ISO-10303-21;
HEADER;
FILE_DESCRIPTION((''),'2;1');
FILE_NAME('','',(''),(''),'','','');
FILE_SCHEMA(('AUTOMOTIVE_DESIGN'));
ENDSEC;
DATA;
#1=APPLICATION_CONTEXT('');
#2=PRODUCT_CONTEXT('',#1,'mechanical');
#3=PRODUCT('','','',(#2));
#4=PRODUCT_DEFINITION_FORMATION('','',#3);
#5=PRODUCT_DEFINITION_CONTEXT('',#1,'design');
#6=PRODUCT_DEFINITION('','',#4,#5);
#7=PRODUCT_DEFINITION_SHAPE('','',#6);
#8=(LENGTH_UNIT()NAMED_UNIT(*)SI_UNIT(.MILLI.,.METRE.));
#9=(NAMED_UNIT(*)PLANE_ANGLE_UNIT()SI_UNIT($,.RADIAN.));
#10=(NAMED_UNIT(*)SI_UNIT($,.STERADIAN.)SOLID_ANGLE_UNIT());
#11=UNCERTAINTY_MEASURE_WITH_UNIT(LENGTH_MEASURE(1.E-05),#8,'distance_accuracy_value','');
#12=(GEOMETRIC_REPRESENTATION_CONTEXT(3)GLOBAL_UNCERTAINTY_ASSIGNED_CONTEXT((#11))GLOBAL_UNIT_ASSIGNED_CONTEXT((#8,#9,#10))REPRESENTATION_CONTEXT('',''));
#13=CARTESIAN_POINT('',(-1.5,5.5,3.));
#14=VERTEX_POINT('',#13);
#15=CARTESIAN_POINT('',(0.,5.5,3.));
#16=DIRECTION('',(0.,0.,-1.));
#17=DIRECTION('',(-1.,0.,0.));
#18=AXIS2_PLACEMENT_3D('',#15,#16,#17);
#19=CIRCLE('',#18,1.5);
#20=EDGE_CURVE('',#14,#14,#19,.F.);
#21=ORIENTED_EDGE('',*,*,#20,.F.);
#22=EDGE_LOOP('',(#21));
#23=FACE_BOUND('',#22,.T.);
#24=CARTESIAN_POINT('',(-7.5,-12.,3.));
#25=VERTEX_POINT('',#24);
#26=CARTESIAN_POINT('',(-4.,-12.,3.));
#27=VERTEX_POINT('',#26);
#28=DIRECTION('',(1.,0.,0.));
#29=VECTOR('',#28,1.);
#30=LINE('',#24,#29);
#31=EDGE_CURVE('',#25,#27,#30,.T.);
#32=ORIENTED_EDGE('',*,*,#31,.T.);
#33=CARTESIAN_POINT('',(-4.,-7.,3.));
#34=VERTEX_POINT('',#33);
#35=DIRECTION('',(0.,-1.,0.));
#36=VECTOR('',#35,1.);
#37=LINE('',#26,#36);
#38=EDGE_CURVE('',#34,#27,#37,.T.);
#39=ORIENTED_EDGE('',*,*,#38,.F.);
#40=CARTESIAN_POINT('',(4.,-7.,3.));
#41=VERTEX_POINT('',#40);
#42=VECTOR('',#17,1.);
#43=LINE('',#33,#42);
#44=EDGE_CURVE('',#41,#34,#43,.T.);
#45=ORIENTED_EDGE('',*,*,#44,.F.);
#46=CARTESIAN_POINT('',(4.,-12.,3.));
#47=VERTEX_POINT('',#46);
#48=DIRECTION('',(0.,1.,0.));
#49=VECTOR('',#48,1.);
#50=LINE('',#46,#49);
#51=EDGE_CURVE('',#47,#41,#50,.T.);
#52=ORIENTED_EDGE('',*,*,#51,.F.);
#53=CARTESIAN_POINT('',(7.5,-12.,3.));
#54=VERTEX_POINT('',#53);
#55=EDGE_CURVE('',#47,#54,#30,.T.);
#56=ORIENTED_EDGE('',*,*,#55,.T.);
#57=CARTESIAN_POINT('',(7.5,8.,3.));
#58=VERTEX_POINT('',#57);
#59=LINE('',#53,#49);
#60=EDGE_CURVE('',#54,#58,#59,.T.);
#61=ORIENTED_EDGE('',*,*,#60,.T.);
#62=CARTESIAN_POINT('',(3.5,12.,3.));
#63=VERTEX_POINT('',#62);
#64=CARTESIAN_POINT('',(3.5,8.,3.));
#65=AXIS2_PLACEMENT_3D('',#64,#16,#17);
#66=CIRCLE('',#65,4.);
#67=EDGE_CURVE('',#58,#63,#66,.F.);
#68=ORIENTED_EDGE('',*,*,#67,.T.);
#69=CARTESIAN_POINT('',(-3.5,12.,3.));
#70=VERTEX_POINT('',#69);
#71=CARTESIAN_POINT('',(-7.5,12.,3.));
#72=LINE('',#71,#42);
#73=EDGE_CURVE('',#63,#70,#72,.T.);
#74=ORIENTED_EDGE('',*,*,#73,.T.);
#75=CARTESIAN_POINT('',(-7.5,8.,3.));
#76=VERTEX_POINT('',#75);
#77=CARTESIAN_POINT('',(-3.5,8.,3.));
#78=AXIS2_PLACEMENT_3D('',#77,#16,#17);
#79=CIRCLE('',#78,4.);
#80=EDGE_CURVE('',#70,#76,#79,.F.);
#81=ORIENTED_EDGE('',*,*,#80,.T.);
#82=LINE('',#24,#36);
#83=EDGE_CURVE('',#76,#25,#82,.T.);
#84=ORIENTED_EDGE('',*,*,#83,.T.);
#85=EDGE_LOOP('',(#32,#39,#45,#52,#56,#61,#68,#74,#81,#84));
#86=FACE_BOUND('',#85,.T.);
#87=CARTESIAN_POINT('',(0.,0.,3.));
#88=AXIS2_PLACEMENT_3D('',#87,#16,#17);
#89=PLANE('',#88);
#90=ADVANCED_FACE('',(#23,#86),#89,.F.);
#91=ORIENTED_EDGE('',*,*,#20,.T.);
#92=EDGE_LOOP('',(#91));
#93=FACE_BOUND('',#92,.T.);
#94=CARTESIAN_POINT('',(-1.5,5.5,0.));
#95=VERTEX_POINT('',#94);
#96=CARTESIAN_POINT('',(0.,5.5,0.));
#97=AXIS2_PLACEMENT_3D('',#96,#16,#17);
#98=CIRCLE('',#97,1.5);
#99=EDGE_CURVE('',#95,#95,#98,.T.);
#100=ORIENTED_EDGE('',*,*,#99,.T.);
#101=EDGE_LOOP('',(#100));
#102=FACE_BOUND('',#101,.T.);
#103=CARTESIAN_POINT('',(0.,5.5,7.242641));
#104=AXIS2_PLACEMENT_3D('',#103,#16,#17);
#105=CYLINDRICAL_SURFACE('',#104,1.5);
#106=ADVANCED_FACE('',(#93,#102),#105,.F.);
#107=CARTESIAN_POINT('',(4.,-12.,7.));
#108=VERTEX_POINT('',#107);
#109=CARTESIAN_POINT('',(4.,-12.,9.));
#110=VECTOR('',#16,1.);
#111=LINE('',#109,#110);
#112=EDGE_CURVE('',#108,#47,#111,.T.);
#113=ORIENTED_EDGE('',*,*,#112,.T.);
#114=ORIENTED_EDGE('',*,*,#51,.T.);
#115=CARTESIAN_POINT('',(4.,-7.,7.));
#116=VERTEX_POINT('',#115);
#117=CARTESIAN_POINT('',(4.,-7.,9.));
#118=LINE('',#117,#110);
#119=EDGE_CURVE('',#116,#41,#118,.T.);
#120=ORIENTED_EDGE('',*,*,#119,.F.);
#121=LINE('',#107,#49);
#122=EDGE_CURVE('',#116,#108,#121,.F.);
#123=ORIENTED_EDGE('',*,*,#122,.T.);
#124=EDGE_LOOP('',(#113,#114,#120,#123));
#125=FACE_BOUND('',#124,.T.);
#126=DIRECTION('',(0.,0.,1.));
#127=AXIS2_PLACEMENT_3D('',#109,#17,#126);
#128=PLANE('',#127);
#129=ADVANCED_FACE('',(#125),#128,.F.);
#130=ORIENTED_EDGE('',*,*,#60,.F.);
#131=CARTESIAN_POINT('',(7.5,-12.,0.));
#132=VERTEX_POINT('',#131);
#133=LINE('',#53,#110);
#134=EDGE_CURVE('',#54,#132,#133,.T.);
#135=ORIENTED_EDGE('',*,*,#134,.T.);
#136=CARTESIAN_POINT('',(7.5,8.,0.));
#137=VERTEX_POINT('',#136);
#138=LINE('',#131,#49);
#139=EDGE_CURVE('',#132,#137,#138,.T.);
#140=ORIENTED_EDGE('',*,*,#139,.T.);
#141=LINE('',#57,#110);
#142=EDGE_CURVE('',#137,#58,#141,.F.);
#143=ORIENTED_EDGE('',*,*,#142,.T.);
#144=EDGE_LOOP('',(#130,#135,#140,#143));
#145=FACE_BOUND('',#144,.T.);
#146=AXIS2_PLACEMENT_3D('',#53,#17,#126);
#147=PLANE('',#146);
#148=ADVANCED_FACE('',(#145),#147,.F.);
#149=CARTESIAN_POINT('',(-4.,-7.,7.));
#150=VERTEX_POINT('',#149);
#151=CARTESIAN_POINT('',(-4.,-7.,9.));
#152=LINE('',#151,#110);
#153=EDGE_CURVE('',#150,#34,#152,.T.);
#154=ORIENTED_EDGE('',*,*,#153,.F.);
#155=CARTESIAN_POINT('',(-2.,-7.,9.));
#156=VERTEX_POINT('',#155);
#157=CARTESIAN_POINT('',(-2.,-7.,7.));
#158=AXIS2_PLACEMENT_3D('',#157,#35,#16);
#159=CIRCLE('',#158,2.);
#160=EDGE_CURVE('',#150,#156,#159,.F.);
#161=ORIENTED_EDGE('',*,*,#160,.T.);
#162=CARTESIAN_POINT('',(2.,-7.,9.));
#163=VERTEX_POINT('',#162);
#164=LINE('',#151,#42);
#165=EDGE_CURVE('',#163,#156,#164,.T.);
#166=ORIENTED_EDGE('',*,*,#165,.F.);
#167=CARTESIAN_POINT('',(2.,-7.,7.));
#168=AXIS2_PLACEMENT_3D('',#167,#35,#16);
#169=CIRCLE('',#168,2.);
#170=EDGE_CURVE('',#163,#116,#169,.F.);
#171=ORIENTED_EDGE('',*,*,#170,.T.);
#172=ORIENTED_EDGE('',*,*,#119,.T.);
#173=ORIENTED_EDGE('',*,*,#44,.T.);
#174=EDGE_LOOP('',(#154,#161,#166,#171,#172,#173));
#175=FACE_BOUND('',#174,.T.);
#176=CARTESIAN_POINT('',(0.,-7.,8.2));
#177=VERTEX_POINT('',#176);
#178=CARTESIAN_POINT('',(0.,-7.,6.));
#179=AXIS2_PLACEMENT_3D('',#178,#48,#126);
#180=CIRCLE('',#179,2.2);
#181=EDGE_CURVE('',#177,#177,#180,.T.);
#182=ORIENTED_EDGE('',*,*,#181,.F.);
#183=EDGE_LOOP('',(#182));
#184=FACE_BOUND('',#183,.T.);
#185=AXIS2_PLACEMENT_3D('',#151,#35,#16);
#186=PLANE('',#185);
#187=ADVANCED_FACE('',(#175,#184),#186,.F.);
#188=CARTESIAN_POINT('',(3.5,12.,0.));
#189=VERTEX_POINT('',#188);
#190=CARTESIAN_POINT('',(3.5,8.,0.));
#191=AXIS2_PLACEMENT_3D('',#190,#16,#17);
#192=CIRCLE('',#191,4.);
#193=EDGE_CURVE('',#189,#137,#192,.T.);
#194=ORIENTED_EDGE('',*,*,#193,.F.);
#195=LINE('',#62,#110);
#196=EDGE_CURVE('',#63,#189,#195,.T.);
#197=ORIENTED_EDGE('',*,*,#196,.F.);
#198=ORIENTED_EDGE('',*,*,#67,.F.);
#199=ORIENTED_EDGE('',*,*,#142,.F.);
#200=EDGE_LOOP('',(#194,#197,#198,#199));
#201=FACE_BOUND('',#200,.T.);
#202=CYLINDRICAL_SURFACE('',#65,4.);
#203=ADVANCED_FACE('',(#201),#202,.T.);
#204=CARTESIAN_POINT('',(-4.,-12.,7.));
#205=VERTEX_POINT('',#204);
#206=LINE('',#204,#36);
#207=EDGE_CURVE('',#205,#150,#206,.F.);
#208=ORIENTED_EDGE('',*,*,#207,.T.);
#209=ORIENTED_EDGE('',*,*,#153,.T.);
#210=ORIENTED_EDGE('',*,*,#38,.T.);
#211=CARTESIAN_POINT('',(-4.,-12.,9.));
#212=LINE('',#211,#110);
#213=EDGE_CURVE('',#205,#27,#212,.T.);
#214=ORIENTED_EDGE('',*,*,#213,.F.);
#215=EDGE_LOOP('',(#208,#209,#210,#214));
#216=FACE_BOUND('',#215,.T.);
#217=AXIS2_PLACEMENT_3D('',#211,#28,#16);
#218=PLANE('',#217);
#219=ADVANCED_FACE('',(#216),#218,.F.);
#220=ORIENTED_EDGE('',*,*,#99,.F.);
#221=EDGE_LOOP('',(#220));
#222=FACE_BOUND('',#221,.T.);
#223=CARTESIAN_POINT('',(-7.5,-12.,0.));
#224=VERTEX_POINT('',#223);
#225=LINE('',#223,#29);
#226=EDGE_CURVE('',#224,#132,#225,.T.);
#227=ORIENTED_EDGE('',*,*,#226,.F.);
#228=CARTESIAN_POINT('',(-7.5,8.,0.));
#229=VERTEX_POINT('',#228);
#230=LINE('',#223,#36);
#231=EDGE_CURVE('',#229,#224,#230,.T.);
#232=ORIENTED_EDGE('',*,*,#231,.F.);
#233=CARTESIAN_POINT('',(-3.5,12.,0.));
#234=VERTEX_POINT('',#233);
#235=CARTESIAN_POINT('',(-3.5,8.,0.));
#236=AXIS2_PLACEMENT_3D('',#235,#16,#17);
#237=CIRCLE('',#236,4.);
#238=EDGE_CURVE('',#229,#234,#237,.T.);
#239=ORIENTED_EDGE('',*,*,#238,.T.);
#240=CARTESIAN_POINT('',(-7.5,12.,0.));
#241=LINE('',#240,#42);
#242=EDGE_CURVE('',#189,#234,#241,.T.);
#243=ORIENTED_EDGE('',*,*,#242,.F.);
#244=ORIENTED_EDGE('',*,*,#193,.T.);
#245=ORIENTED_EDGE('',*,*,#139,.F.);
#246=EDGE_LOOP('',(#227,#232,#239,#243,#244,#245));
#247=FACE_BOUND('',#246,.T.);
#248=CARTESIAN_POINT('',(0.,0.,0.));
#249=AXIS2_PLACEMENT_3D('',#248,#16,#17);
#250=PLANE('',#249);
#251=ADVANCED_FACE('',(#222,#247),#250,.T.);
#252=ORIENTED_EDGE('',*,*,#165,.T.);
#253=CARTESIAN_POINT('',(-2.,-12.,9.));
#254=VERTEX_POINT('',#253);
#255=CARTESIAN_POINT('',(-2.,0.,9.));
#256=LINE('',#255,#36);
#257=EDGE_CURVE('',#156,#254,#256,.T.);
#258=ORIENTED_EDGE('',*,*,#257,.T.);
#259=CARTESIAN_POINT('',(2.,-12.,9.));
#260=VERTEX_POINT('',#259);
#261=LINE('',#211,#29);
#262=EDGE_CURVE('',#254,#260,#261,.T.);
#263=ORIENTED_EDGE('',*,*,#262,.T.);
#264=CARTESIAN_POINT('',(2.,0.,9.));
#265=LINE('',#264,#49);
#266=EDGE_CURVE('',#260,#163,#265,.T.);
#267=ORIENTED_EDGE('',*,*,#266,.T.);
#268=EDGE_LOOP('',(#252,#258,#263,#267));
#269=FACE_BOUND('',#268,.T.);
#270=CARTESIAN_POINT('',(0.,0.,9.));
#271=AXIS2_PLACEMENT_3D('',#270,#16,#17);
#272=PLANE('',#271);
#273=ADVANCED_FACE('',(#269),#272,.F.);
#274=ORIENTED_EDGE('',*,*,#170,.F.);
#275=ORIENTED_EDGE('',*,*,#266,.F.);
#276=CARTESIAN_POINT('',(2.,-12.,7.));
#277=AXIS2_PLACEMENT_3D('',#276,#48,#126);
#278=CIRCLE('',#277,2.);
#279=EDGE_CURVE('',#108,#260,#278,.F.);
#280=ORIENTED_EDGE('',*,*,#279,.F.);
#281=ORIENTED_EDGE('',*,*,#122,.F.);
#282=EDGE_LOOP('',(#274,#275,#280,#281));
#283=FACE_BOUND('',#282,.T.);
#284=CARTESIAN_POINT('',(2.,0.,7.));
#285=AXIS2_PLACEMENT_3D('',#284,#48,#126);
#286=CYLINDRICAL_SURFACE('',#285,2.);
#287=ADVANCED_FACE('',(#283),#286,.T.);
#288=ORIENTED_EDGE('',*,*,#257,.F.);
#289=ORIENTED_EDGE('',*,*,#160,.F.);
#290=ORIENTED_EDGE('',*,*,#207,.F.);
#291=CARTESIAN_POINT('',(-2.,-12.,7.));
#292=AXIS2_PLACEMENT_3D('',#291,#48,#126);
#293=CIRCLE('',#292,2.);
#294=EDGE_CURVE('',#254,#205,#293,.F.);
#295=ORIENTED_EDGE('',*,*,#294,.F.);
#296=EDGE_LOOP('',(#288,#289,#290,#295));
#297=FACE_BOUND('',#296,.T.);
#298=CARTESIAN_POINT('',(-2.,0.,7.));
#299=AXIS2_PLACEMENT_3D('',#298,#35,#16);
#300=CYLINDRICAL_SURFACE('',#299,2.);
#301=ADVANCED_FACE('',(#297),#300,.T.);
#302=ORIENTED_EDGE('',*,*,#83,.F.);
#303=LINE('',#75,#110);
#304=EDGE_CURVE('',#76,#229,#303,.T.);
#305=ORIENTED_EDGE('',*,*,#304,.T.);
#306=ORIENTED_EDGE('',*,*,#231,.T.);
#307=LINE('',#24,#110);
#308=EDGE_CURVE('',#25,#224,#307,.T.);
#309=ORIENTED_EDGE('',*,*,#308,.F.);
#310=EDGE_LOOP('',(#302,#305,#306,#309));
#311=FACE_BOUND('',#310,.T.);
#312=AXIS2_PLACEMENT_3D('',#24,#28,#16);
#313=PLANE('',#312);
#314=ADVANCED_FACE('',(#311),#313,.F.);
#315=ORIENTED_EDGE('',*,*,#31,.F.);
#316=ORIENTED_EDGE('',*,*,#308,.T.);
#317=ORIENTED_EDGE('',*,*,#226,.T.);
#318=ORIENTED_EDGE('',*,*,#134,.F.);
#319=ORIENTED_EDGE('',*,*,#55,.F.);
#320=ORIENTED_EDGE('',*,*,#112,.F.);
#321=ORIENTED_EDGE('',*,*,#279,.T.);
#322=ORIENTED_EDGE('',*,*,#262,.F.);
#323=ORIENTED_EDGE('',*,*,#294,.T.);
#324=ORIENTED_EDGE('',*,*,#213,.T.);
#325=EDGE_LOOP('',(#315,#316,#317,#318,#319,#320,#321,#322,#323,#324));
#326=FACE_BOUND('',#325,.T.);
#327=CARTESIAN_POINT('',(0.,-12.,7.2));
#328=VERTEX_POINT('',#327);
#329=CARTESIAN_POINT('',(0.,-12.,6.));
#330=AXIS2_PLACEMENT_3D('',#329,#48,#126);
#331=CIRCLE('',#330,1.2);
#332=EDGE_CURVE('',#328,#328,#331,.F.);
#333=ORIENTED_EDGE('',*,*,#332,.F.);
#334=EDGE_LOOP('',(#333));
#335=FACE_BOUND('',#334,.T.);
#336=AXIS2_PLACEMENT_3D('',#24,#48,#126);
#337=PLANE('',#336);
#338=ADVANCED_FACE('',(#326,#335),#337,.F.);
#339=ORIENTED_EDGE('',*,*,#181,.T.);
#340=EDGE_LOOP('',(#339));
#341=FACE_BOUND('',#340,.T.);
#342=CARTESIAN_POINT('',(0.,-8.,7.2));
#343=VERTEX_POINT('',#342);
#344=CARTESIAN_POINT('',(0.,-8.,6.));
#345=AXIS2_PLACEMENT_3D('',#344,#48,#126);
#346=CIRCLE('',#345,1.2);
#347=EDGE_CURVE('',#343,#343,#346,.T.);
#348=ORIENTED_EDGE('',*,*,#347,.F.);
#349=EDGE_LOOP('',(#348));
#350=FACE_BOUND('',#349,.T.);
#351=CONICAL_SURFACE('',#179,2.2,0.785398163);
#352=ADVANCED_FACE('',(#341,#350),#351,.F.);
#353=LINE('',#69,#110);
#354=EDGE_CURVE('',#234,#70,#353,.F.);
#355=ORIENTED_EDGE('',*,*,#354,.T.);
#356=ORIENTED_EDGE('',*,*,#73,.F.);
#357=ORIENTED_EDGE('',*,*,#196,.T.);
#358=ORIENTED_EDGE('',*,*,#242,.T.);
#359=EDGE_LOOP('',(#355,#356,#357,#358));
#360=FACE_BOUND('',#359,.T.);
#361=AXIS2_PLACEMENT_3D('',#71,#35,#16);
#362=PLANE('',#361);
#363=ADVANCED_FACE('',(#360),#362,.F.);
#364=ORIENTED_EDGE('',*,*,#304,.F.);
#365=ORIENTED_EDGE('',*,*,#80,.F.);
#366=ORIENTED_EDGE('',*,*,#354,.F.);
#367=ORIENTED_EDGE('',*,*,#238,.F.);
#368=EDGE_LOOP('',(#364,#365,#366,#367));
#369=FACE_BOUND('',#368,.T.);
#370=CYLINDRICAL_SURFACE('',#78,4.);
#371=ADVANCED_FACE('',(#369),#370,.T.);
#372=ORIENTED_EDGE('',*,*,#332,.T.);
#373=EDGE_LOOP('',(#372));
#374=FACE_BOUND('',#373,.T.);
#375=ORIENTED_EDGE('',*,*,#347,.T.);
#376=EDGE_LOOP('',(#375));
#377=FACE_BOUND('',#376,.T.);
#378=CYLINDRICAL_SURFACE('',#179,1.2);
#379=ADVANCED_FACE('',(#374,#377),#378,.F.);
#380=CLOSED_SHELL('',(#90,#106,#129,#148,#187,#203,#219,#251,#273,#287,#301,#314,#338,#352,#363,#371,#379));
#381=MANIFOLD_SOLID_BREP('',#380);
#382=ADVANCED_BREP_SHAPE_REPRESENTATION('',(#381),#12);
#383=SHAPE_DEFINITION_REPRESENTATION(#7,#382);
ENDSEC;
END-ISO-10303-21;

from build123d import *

# Parameters (mm, degrees)
SKETCH1_W                                       = 15
SKETCH1_H                                       = 24
BOSS_EXTRUDE1_DEPTH                             = 3
SKETCH2_W                                       = 8
SKETCH2_H                                       = 5
BOSS_EXTRUDE2_DEPTH                             = 6
CSK_FOR_M2_FLAT_HEAD_MACHINE_SCREW1_D           = 2.4
CSK_FOR_M2_FLAT_HEAD_MACHINE_SCREW1_CSINK_D     = 4.4
CSK_FOR_M2_FLAT_HEAD_MACHINE_SCREW1_CSINK_ANGLE = 90
FILLET1_R                                       = 2
SKETCH5_R                                       = 1.5
CUT_EXTRUDE1_DEPTH                              = 3
FILLET2_R                                       = 4


with BuildPart() as part:
    # Sketch1 → Boss-Extrude1 (new body)
    with BuildSketch(Plane.XY):
        Rectangle(SKETCH1_W, SKETCH1_H)
    extrude(amount=BOSS_EXTRUDE1_DEPTH)

    # Sketch2 → Boss-Extrude2 (add)
    with BuildSketch(Plane.XY.offset(3)):
        with Locations((0, -9.5)):
            Rectangle(SKETCH2_W, SKETCH2_H)
    extrude(amount=BOSS_EXTRUDE2_DEPTH)

    # CSK for M2 Flat Head Machine Screw1 (through all)
    with Locations(Plane(origin=(0, -7, 6), x_dir=(0, 0, 1), z_dir=(0, 1, 0))):
        with Locations((0, 0)):
            CounterSinkHole(CSK_FOR_M2_FLAT_HEAD_MACHINE_SCREW1_D / 2, CSK_FOR_M2_FLAT_HEAD_MACHINE_SCREW1_CSINK_D / 2, counter_sink_angle=CSK_FOR_M2_FLAT_HEAD_MACHINE_SCREW1_CSINK_ANGLE)

    # Fillet1
    fillet1_edges = [part.edges().sort_by_distance(p)[0] for p in [
        (-4, -9.5, 9),
        (4, -9.5, 9),
    ]]
    fillet(fillet1_edges, radius=FILLET1_R)

    # Sketch5 → Cut-Extrude1 (cut)
    with BuildSketch(Plane(origin=(0, 0, 0), x_dir=(-1, 0, 0), z_dir=(0, 0, -1))):
        with Locations((0, 5.5)):
            Circle(SKETCH5_R)
    extrude(amount=-CUT_EXTRUDE1_DEPTH, mode=Mode.SUBTRACT)

    # Fillet2
    fillet2_edges = [part.edges().sort_by_distance(p)[0] for p in [
        (-7.5, 12, 1.5),
        (7.5, 12, 1.5),
    ]]
    fillet(fillet2_edges, radius=FILLET2_R)


solid = part.part
